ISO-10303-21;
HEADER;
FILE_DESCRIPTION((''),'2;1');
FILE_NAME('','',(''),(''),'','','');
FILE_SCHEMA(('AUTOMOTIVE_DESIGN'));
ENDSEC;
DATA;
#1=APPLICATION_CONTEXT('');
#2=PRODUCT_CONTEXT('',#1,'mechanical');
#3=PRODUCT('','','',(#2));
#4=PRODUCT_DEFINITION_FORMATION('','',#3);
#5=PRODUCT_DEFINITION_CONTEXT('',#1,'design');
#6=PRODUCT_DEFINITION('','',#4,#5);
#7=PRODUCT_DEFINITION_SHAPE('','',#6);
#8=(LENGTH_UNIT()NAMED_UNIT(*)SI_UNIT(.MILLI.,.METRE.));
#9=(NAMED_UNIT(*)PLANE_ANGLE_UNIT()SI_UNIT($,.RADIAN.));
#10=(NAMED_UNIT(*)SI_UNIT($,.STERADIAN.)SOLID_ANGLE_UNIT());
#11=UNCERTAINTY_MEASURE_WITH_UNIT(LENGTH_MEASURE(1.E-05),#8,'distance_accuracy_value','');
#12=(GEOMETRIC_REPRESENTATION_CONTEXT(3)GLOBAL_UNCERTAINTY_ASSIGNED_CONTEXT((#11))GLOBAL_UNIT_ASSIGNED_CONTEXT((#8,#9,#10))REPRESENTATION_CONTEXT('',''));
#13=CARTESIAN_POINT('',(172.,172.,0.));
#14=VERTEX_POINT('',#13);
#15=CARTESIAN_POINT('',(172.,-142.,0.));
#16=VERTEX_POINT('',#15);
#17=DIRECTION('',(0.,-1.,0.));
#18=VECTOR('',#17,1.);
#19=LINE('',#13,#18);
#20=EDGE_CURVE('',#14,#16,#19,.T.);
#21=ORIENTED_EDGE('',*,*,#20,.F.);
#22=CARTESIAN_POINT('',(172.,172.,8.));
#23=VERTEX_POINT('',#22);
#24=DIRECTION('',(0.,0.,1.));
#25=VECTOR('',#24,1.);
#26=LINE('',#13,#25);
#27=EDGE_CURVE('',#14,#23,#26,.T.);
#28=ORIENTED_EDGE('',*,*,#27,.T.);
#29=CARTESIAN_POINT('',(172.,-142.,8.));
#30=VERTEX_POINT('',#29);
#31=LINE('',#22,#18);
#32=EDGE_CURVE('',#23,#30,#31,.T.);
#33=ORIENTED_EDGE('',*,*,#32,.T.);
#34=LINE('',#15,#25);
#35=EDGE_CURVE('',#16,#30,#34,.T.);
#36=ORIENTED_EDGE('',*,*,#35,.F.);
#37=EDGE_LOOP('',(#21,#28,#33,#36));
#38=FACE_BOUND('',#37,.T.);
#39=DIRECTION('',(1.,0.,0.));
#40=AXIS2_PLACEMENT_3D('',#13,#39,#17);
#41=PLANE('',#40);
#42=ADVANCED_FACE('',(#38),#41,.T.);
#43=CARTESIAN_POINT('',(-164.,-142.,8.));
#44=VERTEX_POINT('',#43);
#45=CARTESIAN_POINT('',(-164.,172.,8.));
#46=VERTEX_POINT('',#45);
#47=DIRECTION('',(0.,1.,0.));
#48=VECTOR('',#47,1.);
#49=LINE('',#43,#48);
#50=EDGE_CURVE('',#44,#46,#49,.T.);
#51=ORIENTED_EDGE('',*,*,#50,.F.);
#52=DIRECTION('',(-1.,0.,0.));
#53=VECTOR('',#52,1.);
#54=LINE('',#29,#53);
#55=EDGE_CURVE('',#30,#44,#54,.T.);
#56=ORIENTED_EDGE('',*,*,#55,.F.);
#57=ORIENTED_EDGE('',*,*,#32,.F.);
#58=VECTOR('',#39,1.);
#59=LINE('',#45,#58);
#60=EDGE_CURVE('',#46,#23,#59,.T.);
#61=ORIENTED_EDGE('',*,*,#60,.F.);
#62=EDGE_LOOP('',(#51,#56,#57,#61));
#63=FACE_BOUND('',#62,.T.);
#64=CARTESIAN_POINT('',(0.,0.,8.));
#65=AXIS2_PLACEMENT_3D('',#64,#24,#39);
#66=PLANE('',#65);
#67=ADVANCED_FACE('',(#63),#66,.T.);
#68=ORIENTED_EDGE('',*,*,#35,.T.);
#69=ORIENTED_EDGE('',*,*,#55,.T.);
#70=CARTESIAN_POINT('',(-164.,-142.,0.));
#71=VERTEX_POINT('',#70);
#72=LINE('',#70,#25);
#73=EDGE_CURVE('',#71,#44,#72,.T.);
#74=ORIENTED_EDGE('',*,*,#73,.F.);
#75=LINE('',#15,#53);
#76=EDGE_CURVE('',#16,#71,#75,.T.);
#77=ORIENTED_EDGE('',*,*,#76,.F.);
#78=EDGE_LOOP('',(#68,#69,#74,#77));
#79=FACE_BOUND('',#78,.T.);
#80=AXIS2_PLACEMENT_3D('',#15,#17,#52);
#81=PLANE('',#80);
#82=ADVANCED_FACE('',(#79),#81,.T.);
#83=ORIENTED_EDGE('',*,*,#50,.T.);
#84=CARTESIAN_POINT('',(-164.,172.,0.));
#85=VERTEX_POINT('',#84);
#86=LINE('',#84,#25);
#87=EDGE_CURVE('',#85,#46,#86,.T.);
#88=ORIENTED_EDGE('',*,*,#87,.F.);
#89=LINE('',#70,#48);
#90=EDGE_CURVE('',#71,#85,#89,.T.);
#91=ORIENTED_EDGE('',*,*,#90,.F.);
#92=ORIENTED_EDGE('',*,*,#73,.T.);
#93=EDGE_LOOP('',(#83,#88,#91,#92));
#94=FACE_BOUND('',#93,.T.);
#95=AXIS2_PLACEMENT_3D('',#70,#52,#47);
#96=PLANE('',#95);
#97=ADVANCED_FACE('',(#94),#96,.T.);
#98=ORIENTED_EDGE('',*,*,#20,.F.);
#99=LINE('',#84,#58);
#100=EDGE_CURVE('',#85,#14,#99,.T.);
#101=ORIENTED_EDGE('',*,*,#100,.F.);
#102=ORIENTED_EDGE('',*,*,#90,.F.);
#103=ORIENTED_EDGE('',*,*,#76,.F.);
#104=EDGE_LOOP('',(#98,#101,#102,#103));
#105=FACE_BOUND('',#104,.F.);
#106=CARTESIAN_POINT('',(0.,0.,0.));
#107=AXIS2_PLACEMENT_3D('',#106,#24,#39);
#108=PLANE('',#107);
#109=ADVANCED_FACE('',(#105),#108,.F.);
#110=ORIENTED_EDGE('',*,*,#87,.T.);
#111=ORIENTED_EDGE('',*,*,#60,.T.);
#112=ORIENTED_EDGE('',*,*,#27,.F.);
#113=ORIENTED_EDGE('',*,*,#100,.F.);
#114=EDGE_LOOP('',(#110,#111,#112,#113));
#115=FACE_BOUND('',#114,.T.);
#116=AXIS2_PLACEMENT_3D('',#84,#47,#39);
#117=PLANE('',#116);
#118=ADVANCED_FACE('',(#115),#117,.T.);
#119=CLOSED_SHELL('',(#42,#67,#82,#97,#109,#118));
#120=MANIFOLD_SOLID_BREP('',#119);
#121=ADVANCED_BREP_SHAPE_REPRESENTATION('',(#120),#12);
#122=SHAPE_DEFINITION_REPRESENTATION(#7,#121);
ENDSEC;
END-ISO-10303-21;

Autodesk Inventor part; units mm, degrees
ref_plane "YZ Plane" through (0, 0, 0) normal (1, 0, 0) x (0, 1, 0)
ref_plane "XZ Plane" through (0, 0, 0) normal (0, 1, 0) x (-1, 0, 0)
ref_plane "XY Plane" through (0, 0, 0) normal (0, 0, 1) x (1, 0, 0)
sketch "Sketch1" plane through (0, 0, 0) normal (0, 0, 1) x (1, 0, 0)
  line L0 (-164, 172) -> (172, 172)
  line L1 (172, 172) -> (172, -142)
  line L2 (172, -142) -> (-164, -142)
  line L3 (-164, -142) -> (-164, 172)
  point P0 (0, 0)
  dimension "d0" = 336
  dimension "d1" = 314
  dimension "d2" = 172
  dimension "d3" = 172
extrude "Extrusion1" add sketch "Sketch1" along normal blind 8
equation "\"d0\" = -2 * wall_width + edge_length - wall_width_small"
equation "\"d2\" = -wall_width + 0.5 * edge_length"
equation "\"d3\" = -wall_width + 0.5 * edge_length"
equation "\"d4\" = wall_width_small"
equation "\"wall_width\" = 8"
equation "\"edge_length\" = 360"
equation "\"wall_width_small\" = 8"
properties part number "Middle"
